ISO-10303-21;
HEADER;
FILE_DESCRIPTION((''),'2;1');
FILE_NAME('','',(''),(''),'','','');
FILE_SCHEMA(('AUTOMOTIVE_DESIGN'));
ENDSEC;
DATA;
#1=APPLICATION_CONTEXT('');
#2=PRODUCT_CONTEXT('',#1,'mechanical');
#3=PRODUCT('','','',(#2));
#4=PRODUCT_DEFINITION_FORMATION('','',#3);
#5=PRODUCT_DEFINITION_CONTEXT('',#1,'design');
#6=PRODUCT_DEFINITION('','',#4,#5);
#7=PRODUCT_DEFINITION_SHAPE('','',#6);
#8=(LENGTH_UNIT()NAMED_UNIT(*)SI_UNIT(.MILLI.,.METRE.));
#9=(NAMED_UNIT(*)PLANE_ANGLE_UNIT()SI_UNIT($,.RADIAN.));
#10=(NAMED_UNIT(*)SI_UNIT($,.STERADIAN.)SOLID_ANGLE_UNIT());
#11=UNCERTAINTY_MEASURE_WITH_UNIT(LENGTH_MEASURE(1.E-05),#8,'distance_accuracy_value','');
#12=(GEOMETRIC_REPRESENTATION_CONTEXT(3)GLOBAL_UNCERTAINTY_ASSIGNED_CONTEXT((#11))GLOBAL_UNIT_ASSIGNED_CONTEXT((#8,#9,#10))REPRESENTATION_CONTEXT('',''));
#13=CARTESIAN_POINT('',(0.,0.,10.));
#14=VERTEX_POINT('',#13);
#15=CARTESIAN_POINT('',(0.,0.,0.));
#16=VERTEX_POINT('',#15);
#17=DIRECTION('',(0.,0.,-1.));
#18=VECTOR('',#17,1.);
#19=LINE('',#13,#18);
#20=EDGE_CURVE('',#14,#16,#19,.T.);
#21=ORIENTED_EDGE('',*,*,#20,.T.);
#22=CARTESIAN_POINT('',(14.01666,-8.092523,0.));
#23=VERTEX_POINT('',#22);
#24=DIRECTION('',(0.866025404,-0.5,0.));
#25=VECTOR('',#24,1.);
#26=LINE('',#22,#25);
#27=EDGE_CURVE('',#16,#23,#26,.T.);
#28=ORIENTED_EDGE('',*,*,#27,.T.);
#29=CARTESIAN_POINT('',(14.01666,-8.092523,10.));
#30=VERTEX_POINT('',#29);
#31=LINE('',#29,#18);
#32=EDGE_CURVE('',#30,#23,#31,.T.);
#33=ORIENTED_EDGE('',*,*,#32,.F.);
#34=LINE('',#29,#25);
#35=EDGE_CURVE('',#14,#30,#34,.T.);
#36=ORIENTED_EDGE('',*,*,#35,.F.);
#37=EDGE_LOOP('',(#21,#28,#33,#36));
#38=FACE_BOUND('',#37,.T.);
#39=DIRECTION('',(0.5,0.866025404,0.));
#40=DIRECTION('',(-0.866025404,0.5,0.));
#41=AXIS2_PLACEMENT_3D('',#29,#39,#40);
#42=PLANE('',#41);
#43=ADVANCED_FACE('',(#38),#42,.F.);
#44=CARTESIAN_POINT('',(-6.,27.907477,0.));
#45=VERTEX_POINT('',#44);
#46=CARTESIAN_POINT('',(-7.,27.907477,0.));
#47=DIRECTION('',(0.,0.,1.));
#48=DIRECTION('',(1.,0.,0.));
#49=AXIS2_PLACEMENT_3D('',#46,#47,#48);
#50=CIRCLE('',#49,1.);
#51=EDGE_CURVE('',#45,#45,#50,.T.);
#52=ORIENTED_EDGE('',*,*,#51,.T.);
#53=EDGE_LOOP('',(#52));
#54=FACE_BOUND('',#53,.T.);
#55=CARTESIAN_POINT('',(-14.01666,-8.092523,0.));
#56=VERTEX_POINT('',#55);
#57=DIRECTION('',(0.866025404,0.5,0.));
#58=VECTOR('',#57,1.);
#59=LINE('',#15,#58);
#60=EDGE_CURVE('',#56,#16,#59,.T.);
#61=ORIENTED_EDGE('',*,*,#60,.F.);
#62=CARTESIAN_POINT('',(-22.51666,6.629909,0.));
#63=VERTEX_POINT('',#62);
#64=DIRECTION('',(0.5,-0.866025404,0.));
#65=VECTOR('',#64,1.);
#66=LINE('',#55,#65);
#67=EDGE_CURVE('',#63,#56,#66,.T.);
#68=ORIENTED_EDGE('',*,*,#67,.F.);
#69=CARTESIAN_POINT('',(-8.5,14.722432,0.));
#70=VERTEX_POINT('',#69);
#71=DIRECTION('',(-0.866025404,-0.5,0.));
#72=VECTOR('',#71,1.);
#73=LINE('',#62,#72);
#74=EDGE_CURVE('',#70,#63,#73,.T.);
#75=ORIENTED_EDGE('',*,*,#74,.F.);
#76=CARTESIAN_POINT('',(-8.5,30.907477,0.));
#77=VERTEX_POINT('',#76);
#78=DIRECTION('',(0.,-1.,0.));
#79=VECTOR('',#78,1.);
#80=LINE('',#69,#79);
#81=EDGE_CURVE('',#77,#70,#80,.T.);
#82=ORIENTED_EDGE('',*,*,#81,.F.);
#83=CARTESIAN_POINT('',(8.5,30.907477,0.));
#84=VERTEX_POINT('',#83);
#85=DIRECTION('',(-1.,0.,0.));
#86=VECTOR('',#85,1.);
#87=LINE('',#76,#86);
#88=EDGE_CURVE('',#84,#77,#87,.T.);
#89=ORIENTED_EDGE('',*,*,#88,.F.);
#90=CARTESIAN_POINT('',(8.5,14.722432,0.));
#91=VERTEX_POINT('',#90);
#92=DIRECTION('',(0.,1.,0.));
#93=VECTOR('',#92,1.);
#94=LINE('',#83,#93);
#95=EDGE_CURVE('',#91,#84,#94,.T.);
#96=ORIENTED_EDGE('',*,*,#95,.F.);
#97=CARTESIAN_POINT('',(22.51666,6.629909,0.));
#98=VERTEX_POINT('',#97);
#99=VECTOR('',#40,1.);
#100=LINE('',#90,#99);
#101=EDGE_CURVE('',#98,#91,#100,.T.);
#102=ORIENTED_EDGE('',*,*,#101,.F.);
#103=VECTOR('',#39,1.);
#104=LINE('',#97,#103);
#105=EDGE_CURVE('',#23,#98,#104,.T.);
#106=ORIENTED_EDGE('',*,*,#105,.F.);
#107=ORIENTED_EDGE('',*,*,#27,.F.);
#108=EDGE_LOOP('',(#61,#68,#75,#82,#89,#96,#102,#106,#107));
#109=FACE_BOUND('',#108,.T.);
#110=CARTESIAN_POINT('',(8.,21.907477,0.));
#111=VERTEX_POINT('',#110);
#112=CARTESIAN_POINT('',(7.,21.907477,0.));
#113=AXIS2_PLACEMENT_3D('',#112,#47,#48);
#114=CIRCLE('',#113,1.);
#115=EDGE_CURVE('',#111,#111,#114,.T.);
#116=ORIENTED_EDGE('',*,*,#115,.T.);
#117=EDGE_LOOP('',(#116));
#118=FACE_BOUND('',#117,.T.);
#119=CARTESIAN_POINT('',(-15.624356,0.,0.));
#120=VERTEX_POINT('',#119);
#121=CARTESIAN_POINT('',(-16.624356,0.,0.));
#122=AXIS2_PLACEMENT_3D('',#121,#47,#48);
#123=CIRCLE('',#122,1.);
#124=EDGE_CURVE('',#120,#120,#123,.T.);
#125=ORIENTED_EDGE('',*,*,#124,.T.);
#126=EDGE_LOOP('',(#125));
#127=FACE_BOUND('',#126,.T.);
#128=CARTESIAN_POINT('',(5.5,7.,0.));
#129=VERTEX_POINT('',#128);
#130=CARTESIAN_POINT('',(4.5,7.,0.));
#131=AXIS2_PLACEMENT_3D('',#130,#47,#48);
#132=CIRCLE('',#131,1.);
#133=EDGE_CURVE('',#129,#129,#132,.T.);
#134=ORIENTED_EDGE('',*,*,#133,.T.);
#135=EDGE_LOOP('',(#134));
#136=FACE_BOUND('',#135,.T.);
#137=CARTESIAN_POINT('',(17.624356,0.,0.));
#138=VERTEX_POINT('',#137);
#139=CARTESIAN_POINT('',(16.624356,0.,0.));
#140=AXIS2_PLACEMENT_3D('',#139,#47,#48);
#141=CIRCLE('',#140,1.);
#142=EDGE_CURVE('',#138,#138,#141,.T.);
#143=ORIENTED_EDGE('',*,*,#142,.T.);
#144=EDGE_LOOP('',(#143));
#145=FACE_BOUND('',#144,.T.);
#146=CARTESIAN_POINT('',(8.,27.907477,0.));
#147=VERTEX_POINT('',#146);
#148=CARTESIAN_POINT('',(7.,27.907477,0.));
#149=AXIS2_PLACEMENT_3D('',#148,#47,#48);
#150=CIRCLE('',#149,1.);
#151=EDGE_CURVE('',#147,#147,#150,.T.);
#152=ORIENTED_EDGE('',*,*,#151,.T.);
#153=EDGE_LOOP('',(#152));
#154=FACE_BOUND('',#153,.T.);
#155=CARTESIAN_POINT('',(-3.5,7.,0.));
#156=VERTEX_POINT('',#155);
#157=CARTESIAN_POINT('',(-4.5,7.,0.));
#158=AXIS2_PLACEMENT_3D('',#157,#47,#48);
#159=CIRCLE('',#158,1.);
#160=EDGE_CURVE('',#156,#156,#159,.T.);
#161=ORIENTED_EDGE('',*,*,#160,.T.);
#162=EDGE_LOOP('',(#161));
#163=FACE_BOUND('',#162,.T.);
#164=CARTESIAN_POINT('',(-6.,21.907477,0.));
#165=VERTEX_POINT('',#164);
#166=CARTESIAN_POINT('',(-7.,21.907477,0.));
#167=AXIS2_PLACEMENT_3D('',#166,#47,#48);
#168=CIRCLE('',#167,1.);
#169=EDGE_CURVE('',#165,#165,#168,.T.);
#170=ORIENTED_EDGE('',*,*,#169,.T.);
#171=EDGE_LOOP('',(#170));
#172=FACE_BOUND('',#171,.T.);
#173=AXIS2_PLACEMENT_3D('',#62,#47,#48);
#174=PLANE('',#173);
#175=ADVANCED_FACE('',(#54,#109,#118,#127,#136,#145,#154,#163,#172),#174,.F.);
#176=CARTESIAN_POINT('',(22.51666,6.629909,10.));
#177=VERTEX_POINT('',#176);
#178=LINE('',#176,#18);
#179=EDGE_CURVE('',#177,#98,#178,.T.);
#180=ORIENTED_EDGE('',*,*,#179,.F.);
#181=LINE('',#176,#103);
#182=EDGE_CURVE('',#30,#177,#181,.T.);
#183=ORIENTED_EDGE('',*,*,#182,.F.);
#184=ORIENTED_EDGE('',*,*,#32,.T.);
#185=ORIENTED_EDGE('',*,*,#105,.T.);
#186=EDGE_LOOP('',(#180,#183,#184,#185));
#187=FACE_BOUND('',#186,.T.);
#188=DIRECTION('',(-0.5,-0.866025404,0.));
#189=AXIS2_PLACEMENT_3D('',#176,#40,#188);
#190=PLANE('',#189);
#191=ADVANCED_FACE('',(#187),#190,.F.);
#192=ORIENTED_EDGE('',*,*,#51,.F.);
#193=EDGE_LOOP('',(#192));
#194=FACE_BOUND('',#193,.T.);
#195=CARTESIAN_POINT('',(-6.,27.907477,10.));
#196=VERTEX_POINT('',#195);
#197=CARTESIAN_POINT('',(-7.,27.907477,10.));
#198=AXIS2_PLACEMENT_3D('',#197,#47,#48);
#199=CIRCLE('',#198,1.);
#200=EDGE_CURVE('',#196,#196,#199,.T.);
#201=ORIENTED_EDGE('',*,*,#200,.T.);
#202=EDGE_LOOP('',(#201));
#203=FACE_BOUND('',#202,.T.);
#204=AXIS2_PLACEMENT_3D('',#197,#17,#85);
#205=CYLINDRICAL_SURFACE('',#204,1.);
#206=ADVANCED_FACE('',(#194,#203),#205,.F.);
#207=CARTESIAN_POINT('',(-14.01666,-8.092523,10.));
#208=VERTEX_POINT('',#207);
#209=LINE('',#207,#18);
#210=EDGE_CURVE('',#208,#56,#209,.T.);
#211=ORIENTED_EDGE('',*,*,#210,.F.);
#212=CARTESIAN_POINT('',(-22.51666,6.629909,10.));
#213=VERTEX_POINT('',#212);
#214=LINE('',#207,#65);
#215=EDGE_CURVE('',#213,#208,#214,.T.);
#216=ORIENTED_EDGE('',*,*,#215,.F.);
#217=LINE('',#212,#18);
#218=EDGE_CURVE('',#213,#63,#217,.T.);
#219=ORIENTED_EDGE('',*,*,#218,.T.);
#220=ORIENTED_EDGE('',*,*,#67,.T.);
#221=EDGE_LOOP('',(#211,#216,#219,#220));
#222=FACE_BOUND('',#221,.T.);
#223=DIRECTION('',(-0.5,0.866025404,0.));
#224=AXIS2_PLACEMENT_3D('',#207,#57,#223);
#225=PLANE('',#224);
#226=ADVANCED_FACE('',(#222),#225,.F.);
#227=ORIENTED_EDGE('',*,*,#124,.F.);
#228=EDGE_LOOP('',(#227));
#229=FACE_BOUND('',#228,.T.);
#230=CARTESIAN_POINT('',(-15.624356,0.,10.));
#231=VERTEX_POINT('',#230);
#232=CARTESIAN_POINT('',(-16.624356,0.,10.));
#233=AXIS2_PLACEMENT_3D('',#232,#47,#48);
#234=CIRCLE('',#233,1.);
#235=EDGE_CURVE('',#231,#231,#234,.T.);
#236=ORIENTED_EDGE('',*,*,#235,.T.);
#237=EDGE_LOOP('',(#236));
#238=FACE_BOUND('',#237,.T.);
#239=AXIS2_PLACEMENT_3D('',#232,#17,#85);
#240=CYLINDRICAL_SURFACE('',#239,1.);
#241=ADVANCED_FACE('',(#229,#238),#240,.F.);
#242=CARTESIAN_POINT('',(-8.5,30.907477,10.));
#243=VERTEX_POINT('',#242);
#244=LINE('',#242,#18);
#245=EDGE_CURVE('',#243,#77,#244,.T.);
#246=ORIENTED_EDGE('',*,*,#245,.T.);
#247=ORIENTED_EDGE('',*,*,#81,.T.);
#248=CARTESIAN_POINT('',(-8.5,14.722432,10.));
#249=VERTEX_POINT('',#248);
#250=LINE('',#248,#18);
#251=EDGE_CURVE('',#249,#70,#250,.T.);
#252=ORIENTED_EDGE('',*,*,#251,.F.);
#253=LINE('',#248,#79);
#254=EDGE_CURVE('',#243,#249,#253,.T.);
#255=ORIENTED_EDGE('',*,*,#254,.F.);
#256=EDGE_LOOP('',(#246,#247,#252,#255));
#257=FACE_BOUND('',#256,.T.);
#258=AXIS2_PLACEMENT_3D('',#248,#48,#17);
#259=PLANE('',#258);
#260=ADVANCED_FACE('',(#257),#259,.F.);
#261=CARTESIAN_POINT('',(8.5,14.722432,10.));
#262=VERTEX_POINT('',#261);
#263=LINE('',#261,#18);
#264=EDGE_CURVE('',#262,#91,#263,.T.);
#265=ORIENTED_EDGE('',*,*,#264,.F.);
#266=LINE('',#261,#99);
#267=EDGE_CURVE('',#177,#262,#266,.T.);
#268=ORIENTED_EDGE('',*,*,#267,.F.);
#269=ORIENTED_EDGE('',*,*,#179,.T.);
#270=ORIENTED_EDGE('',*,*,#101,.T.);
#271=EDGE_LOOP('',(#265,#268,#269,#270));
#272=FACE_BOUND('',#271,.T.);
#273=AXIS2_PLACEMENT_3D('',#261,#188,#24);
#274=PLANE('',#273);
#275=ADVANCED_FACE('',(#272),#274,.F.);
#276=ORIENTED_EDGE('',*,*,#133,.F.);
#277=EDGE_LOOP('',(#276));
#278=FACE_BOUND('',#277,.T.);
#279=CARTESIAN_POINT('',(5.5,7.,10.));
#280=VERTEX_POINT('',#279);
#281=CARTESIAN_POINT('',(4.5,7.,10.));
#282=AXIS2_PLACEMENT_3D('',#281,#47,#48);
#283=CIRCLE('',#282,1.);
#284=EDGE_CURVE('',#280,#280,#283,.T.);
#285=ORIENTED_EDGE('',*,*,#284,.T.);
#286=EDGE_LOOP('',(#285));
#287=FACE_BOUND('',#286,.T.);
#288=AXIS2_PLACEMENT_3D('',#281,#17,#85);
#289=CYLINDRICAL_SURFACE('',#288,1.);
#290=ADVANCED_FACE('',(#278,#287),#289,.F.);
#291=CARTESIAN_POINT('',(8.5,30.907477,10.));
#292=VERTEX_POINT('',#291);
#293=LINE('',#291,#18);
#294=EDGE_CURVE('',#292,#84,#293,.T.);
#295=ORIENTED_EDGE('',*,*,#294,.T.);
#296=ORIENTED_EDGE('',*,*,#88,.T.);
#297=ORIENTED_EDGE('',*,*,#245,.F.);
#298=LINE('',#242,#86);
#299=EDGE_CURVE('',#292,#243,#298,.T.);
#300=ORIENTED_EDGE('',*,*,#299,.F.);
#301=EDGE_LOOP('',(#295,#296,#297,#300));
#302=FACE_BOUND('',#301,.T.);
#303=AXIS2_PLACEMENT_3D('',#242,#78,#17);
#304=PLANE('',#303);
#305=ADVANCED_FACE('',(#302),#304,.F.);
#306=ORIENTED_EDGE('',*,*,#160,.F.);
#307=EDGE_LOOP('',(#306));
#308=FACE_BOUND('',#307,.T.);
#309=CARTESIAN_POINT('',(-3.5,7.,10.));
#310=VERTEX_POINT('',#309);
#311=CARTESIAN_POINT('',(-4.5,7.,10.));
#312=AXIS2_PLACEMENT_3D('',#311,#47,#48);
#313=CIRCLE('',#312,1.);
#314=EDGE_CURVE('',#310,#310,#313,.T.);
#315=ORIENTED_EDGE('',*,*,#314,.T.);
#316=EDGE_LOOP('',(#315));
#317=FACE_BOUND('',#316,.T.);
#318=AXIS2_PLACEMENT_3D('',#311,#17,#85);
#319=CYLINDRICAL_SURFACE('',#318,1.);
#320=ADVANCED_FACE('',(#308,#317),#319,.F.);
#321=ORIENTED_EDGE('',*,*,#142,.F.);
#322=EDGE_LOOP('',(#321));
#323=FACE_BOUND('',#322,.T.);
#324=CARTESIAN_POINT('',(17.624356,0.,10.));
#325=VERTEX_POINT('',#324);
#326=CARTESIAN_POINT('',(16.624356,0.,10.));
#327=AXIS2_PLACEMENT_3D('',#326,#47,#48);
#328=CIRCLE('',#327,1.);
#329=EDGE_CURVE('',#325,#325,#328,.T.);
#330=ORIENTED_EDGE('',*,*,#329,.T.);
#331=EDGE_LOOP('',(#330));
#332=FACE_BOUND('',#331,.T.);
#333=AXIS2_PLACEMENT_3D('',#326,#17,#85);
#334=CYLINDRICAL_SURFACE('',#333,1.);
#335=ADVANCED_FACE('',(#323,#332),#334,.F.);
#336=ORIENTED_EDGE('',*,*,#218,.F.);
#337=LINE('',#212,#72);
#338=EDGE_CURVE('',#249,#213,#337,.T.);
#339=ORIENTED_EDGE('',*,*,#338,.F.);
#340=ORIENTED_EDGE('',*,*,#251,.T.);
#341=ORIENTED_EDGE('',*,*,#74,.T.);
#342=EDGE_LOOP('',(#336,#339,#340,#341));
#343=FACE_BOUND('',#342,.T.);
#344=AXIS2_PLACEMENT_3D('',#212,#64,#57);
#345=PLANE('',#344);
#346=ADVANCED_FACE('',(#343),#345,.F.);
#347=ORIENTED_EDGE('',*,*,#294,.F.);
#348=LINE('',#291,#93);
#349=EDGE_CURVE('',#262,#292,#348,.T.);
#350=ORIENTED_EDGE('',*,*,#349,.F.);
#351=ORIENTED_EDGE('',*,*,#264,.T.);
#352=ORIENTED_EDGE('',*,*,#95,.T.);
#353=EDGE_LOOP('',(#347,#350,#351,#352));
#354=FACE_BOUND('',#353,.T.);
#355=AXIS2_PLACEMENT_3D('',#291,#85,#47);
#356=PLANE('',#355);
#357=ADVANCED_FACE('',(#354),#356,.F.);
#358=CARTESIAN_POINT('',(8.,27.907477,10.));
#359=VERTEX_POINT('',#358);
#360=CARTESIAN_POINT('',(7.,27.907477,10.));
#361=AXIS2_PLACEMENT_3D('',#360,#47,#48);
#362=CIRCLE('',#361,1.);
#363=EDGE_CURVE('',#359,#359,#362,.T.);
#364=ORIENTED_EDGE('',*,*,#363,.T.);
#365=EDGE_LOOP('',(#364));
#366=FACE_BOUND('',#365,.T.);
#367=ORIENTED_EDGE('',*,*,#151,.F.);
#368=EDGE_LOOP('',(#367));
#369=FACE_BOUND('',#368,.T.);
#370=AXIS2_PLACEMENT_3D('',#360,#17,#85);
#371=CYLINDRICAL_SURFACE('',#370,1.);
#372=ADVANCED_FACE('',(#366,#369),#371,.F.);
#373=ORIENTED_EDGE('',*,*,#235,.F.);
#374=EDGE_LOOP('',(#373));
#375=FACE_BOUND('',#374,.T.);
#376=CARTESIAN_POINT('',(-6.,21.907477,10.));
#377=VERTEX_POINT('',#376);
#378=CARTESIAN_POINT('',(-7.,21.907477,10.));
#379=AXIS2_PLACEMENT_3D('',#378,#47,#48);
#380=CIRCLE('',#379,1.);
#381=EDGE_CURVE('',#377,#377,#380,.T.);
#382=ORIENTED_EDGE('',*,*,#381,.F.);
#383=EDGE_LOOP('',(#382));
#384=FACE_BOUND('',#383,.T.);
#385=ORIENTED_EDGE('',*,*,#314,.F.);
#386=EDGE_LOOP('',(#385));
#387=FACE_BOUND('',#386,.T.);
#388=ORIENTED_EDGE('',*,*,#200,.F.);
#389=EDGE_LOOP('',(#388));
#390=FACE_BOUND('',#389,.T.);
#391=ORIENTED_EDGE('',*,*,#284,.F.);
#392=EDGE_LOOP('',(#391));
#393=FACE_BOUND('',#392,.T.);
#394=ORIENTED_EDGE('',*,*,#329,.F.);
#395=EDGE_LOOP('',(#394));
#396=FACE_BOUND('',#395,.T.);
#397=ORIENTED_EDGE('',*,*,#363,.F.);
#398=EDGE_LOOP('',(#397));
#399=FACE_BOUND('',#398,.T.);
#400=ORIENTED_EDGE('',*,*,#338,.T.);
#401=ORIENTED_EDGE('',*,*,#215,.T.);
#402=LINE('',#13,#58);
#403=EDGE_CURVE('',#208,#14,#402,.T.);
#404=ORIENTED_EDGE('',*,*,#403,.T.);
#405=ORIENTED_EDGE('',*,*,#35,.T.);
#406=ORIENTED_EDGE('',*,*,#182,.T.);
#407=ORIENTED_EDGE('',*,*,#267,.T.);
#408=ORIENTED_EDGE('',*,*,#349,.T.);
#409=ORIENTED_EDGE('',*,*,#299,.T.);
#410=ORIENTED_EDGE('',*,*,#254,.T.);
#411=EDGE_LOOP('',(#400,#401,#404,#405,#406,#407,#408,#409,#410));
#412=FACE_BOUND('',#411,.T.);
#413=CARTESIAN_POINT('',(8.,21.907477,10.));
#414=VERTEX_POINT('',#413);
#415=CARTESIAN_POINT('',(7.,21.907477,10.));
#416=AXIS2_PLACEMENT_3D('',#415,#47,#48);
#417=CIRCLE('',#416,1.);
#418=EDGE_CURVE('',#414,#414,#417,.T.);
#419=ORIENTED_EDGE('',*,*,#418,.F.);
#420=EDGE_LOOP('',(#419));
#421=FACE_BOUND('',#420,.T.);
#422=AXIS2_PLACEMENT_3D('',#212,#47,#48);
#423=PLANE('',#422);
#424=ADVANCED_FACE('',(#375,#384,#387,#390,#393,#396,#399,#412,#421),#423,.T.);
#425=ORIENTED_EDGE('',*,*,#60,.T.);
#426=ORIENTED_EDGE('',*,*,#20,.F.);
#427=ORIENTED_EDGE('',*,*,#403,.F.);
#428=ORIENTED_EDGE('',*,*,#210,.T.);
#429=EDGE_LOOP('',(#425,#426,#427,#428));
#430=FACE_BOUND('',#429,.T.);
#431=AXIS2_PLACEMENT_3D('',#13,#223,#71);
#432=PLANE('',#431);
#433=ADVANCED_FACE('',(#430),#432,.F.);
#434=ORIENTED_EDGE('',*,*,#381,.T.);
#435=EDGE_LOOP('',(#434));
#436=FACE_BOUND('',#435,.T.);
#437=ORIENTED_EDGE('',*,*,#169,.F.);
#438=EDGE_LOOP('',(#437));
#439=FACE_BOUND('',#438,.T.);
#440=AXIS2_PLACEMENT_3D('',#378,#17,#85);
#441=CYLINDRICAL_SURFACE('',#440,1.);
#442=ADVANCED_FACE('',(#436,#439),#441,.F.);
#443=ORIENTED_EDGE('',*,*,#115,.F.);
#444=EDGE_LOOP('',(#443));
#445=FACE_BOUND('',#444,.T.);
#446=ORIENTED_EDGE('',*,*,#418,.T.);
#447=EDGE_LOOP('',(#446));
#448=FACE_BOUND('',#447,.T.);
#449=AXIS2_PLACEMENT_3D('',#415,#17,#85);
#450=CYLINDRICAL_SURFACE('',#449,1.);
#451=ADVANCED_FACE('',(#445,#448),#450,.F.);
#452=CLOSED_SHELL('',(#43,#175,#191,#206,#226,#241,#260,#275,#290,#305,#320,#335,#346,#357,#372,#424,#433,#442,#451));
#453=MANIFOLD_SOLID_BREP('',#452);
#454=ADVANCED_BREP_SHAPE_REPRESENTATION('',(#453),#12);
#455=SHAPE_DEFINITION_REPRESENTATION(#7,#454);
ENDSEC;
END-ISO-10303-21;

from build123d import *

# Parameters (mm, degrees)
SKETCH1_R           = 1
BOSS_EXTRUDE1_DEPTH = 10


with BuildPart() as part:
    # Sketch1 → Boss-Extrude1 (new body)
    with BuildSketch(Plane.XY):
        Polygon((-8.5, 14.722431864), (-8.5, 30.907477288), (8.5, 30.907477288), (8.5, 14.722431864), (22.516660498, 6.629909152), (14.016660498, -8.092522712), (0, 0), (-14.016660498, -8.092522712), (-22.516660498, 6.629909152), align=None)
        with Locations((-7, 27.907477288)):
            Circle(SKETCH1_R, mode=Mode.SUBTRACT)
        with Locations((7, 27.907477288)):
            Circle(SKETCH1_R, mode=Mode.SUBTRACT)
        with Locations((-7, 21.907477288)):
            Circle(SKETCH1_R, mode=Mode.SUBTRACT)
        with Locations((7, 21.907477288)):
            Circle(SKETCH1_R, mode=Mode.SUBTRACT)
        with Locations((-16.624355653, 0)):
            Circle(SKETCH1_R, mode=Mode.SUBTRACT)
        with Locations((-4.5, 7)):
            Circle(SKETCH1_R, mode=Mode.SUBTRACT)
        with Locations((4.5, 7)):
            Circle(SKETCH1_R, mode=Mode.SUBTRACT)
        with Locations((16.624355653, 0)):
            Circle(SKETCH1_R, mode=Mode.SUBTRACT)
    extrude(amount=BOSS_EXTRUDE1_DEPTH)


solid = part.part
